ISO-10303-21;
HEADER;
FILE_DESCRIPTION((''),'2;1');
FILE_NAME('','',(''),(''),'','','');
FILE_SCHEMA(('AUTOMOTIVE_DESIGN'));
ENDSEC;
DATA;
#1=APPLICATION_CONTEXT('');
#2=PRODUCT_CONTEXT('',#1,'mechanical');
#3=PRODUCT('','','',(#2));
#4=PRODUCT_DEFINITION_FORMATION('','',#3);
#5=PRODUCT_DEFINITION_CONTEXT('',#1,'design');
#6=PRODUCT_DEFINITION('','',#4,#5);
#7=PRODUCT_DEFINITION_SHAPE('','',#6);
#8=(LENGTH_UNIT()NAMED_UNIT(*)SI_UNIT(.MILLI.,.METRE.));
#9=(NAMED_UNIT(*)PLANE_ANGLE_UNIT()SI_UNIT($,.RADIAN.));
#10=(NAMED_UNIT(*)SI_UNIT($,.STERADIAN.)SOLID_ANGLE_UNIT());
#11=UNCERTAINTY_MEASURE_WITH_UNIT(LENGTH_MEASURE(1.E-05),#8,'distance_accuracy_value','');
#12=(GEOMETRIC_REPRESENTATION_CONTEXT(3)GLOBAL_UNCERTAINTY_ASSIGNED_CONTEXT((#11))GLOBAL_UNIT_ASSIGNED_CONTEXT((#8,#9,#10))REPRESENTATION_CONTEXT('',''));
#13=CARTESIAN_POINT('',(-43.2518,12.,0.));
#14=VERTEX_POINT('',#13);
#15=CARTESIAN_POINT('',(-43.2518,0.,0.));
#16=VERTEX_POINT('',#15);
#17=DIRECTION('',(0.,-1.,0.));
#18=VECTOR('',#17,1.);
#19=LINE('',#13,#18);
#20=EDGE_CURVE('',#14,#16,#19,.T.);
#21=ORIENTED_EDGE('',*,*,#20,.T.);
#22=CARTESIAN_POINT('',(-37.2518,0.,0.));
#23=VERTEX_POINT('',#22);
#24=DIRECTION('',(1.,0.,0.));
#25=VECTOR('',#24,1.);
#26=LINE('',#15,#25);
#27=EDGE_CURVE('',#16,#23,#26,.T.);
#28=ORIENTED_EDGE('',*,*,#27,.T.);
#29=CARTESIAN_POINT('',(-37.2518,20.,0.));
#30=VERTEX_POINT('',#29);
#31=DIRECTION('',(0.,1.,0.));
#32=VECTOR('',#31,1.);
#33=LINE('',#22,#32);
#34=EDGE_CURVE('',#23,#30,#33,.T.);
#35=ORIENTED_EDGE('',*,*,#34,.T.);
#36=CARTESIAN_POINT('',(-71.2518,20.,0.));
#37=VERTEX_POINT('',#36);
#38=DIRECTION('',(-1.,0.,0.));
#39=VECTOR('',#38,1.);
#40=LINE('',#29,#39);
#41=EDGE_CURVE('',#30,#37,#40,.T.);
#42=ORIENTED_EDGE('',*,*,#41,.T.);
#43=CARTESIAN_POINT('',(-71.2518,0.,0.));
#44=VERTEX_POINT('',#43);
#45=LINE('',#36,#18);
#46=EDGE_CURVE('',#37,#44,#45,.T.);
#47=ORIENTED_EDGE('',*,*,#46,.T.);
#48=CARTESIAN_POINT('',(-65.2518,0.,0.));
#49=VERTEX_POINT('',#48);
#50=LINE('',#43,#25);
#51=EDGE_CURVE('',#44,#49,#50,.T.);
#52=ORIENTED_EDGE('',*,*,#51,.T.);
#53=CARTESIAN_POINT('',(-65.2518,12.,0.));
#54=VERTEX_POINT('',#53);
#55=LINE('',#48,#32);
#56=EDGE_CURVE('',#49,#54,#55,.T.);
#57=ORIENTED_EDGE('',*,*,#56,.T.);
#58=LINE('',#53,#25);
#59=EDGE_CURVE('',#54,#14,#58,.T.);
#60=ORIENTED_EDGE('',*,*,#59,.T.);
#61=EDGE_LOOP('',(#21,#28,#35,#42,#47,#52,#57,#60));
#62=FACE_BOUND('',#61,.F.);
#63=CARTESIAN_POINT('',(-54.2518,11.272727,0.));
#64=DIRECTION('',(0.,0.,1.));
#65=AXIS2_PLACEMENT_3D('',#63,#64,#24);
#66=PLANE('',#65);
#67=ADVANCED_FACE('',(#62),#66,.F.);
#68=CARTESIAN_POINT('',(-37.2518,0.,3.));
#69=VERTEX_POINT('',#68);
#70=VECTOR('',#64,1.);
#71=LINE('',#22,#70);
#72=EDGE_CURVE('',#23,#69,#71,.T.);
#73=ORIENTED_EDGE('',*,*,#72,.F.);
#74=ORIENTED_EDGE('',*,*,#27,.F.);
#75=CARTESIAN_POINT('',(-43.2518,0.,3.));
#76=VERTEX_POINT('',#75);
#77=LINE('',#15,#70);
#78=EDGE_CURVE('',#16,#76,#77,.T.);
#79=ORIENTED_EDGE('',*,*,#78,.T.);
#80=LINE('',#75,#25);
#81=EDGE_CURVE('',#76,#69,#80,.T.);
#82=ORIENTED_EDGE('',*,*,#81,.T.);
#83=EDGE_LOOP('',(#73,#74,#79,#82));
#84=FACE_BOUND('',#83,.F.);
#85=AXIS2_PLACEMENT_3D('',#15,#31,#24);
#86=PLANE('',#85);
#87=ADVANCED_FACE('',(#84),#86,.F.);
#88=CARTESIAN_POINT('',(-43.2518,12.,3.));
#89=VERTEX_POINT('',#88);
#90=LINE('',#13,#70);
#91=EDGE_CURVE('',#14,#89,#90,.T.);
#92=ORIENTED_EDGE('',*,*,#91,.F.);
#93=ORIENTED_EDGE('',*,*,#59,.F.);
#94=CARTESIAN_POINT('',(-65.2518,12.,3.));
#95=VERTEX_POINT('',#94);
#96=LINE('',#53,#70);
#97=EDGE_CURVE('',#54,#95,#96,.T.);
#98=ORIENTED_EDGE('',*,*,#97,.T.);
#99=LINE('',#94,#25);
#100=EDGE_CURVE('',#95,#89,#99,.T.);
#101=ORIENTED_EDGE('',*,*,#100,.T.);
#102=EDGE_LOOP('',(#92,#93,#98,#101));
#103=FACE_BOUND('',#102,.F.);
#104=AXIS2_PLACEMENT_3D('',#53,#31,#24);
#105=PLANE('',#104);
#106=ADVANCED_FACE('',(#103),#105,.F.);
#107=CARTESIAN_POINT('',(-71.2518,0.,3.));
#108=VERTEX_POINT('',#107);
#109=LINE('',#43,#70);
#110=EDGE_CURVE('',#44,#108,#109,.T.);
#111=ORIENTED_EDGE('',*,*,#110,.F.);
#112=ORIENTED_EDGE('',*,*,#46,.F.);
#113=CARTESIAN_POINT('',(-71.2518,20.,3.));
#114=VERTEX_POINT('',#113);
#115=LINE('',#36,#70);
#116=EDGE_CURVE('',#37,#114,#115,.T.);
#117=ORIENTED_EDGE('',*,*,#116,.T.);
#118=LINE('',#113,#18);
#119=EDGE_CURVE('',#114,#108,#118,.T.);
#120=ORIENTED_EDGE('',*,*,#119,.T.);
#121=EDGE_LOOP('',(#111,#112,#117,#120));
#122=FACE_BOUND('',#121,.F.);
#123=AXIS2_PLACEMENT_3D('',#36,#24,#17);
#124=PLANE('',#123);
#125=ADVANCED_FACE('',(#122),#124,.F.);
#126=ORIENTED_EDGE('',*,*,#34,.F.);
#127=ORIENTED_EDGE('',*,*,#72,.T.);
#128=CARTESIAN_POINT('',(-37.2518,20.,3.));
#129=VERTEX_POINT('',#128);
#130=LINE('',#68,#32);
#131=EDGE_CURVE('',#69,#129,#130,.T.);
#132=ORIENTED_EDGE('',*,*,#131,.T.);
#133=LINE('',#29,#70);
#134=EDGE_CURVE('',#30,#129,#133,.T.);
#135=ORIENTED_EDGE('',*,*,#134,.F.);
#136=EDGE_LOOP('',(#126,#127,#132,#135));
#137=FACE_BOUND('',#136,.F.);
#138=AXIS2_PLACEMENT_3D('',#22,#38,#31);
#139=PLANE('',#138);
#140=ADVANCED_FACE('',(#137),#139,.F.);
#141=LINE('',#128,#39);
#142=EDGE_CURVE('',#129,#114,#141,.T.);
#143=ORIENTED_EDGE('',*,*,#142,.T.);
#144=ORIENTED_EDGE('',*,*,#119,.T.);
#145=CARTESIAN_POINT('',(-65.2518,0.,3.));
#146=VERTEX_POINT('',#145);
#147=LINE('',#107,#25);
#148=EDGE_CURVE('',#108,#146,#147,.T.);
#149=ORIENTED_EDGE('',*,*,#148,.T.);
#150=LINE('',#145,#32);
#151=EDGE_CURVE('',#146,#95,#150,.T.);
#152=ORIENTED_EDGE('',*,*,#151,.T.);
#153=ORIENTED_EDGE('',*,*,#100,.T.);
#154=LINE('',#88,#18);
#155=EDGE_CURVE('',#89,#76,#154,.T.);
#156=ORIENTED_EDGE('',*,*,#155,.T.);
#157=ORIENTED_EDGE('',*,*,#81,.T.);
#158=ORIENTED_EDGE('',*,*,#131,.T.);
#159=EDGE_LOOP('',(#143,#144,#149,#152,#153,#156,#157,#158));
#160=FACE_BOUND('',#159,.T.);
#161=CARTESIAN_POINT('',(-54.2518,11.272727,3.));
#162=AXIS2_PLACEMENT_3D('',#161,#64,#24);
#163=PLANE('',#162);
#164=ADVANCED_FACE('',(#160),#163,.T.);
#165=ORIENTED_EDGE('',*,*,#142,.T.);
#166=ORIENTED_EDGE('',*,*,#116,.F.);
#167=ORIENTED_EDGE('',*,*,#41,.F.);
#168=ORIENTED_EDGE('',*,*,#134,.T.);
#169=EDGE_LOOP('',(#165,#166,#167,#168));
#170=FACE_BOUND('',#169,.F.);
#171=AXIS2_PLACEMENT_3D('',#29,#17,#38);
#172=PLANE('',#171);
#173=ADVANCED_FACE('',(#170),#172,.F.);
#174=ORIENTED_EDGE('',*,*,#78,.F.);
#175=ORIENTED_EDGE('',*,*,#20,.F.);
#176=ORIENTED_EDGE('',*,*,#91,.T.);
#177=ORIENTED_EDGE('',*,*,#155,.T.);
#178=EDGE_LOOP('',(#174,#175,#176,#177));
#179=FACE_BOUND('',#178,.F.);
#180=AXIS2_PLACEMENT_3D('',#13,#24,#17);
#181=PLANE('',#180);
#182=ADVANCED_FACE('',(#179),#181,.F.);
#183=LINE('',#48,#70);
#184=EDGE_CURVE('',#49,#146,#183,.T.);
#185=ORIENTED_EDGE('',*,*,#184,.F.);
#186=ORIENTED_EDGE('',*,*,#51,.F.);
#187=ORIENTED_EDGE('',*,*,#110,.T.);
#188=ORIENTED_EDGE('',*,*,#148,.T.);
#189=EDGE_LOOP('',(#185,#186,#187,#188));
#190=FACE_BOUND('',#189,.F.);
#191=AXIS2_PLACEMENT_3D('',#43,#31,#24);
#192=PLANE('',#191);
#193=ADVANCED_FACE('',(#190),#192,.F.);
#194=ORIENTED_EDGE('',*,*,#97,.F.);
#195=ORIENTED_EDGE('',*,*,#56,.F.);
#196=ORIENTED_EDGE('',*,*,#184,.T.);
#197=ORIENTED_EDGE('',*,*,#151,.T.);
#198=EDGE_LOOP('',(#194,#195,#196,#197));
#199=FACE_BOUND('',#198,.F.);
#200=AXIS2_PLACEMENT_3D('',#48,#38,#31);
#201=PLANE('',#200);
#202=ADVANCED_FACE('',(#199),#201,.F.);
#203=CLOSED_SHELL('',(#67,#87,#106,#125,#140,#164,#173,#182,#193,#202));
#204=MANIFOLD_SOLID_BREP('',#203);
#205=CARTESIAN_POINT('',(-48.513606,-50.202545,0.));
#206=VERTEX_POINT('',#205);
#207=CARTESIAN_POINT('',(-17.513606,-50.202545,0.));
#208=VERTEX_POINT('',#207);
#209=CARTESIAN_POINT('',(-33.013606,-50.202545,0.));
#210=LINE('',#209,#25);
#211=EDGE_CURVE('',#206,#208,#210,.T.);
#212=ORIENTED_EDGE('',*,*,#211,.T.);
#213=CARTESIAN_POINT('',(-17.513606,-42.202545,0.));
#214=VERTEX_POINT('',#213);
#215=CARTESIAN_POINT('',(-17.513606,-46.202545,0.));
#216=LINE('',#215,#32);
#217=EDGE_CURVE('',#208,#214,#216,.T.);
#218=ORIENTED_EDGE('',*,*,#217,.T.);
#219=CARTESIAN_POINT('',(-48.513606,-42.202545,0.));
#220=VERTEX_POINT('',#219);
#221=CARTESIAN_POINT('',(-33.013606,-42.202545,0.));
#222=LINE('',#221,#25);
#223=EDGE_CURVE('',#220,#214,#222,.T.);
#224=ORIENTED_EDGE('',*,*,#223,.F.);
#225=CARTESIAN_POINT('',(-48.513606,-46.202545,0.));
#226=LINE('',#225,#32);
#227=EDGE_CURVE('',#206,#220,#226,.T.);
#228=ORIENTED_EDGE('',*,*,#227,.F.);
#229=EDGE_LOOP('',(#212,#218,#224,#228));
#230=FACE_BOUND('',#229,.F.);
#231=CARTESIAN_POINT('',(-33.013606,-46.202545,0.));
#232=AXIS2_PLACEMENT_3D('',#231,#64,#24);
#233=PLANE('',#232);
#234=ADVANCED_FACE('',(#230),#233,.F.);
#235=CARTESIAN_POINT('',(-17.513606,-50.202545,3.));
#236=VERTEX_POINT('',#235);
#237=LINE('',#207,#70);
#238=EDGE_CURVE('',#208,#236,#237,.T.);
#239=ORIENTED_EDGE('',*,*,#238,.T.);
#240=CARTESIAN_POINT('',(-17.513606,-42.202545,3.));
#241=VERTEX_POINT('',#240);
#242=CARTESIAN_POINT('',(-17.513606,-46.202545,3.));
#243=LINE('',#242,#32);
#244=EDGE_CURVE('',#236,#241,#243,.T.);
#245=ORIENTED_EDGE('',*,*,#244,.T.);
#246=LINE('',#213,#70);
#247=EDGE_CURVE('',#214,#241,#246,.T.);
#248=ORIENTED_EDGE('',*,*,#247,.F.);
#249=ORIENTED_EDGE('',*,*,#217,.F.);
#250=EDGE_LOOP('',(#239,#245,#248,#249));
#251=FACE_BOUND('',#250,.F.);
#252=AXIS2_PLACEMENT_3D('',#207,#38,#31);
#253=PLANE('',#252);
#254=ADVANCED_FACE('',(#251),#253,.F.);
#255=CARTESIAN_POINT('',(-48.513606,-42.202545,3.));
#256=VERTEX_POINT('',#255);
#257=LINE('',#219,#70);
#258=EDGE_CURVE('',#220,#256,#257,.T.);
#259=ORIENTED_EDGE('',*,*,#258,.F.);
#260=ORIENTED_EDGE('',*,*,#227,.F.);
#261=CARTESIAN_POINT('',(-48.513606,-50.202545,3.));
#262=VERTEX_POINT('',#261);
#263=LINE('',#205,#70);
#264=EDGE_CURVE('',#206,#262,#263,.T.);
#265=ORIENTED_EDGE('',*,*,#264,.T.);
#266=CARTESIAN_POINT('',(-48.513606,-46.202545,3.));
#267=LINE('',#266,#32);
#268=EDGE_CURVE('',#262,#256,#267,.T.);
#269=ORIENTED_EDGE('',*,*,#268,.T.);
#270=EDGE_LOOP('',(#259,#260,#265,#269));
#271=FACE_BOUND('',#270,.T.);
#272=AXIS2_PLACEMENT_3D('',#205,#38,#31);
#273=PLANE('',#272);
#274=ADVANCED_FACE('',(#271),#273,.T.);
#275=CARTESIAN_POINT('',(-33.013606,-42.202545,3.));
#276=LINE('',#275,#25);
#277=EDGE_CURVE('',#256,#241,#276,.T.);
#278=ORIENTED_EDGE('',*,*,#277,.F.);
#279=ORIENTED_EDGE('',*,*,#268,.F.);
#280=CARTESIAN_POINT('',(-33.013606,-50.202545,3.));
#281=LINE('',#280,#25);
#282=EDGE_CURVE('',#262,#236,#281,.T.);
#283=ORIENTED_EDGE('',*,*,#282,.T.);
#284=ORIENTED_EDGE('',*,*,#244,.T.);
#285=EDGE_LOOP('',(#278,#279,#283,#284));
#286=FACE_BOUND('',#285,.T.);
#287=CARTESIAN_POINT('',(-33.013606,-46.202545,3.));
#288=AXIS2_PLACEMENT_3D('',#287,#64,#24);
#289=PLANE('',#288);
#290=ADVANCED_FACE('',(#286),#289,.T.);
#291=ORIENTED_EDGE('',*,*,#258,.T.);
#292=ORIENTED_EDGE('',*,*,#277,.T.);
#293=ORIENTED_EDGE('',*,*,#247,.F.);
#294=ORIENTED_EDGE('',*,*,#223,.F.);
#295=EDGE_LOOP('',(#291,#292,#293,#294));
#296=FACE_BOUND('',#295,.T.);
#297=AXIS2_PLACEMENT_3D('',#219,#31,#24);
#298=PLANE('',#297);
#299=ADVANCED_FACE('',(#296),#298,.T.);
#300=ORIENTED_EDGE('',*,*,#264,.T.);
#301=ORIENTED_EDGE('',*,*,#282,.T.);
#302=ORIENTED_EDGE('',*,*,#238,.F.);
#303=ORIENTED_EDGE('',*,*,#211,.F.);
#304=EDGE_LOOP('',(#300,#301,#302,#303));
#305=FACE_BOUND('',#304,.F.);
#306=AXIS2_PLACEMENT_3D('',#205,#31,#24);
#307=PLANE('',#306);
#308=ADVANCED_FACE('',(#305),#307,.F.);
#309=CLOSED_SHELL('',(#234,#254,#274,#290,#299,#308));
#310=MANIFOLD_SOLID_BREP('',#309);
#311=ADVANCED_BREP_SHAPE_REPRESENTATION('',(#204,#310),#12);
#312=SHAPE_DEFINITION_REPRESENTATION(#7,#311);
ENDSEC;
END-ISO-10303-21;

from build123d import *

# Parameters (mm, degrees)
F0_W     = 31
F0_H     = 8
F1_DEPTH = 3


with BuildPart() as f1:
    # F0 (on Top) → F1 (new body)
    with BuildSketch(Plane.XY):
        Polygon((-37.2518, 20), (-71.2518, 20), (-71.2518, 0), (-70.2518, 0), (-65.2518, 0), (-65.2518, 12), (-43.2518, 12), (-43.2518, 0), (-37.2518, 0), align=None)
        with Locations((-33.013606, -46.202545)):
            Rectangle(F0_W, F0_H)
    extrude(amount=F1_DEPTH)


solid = f1.part
